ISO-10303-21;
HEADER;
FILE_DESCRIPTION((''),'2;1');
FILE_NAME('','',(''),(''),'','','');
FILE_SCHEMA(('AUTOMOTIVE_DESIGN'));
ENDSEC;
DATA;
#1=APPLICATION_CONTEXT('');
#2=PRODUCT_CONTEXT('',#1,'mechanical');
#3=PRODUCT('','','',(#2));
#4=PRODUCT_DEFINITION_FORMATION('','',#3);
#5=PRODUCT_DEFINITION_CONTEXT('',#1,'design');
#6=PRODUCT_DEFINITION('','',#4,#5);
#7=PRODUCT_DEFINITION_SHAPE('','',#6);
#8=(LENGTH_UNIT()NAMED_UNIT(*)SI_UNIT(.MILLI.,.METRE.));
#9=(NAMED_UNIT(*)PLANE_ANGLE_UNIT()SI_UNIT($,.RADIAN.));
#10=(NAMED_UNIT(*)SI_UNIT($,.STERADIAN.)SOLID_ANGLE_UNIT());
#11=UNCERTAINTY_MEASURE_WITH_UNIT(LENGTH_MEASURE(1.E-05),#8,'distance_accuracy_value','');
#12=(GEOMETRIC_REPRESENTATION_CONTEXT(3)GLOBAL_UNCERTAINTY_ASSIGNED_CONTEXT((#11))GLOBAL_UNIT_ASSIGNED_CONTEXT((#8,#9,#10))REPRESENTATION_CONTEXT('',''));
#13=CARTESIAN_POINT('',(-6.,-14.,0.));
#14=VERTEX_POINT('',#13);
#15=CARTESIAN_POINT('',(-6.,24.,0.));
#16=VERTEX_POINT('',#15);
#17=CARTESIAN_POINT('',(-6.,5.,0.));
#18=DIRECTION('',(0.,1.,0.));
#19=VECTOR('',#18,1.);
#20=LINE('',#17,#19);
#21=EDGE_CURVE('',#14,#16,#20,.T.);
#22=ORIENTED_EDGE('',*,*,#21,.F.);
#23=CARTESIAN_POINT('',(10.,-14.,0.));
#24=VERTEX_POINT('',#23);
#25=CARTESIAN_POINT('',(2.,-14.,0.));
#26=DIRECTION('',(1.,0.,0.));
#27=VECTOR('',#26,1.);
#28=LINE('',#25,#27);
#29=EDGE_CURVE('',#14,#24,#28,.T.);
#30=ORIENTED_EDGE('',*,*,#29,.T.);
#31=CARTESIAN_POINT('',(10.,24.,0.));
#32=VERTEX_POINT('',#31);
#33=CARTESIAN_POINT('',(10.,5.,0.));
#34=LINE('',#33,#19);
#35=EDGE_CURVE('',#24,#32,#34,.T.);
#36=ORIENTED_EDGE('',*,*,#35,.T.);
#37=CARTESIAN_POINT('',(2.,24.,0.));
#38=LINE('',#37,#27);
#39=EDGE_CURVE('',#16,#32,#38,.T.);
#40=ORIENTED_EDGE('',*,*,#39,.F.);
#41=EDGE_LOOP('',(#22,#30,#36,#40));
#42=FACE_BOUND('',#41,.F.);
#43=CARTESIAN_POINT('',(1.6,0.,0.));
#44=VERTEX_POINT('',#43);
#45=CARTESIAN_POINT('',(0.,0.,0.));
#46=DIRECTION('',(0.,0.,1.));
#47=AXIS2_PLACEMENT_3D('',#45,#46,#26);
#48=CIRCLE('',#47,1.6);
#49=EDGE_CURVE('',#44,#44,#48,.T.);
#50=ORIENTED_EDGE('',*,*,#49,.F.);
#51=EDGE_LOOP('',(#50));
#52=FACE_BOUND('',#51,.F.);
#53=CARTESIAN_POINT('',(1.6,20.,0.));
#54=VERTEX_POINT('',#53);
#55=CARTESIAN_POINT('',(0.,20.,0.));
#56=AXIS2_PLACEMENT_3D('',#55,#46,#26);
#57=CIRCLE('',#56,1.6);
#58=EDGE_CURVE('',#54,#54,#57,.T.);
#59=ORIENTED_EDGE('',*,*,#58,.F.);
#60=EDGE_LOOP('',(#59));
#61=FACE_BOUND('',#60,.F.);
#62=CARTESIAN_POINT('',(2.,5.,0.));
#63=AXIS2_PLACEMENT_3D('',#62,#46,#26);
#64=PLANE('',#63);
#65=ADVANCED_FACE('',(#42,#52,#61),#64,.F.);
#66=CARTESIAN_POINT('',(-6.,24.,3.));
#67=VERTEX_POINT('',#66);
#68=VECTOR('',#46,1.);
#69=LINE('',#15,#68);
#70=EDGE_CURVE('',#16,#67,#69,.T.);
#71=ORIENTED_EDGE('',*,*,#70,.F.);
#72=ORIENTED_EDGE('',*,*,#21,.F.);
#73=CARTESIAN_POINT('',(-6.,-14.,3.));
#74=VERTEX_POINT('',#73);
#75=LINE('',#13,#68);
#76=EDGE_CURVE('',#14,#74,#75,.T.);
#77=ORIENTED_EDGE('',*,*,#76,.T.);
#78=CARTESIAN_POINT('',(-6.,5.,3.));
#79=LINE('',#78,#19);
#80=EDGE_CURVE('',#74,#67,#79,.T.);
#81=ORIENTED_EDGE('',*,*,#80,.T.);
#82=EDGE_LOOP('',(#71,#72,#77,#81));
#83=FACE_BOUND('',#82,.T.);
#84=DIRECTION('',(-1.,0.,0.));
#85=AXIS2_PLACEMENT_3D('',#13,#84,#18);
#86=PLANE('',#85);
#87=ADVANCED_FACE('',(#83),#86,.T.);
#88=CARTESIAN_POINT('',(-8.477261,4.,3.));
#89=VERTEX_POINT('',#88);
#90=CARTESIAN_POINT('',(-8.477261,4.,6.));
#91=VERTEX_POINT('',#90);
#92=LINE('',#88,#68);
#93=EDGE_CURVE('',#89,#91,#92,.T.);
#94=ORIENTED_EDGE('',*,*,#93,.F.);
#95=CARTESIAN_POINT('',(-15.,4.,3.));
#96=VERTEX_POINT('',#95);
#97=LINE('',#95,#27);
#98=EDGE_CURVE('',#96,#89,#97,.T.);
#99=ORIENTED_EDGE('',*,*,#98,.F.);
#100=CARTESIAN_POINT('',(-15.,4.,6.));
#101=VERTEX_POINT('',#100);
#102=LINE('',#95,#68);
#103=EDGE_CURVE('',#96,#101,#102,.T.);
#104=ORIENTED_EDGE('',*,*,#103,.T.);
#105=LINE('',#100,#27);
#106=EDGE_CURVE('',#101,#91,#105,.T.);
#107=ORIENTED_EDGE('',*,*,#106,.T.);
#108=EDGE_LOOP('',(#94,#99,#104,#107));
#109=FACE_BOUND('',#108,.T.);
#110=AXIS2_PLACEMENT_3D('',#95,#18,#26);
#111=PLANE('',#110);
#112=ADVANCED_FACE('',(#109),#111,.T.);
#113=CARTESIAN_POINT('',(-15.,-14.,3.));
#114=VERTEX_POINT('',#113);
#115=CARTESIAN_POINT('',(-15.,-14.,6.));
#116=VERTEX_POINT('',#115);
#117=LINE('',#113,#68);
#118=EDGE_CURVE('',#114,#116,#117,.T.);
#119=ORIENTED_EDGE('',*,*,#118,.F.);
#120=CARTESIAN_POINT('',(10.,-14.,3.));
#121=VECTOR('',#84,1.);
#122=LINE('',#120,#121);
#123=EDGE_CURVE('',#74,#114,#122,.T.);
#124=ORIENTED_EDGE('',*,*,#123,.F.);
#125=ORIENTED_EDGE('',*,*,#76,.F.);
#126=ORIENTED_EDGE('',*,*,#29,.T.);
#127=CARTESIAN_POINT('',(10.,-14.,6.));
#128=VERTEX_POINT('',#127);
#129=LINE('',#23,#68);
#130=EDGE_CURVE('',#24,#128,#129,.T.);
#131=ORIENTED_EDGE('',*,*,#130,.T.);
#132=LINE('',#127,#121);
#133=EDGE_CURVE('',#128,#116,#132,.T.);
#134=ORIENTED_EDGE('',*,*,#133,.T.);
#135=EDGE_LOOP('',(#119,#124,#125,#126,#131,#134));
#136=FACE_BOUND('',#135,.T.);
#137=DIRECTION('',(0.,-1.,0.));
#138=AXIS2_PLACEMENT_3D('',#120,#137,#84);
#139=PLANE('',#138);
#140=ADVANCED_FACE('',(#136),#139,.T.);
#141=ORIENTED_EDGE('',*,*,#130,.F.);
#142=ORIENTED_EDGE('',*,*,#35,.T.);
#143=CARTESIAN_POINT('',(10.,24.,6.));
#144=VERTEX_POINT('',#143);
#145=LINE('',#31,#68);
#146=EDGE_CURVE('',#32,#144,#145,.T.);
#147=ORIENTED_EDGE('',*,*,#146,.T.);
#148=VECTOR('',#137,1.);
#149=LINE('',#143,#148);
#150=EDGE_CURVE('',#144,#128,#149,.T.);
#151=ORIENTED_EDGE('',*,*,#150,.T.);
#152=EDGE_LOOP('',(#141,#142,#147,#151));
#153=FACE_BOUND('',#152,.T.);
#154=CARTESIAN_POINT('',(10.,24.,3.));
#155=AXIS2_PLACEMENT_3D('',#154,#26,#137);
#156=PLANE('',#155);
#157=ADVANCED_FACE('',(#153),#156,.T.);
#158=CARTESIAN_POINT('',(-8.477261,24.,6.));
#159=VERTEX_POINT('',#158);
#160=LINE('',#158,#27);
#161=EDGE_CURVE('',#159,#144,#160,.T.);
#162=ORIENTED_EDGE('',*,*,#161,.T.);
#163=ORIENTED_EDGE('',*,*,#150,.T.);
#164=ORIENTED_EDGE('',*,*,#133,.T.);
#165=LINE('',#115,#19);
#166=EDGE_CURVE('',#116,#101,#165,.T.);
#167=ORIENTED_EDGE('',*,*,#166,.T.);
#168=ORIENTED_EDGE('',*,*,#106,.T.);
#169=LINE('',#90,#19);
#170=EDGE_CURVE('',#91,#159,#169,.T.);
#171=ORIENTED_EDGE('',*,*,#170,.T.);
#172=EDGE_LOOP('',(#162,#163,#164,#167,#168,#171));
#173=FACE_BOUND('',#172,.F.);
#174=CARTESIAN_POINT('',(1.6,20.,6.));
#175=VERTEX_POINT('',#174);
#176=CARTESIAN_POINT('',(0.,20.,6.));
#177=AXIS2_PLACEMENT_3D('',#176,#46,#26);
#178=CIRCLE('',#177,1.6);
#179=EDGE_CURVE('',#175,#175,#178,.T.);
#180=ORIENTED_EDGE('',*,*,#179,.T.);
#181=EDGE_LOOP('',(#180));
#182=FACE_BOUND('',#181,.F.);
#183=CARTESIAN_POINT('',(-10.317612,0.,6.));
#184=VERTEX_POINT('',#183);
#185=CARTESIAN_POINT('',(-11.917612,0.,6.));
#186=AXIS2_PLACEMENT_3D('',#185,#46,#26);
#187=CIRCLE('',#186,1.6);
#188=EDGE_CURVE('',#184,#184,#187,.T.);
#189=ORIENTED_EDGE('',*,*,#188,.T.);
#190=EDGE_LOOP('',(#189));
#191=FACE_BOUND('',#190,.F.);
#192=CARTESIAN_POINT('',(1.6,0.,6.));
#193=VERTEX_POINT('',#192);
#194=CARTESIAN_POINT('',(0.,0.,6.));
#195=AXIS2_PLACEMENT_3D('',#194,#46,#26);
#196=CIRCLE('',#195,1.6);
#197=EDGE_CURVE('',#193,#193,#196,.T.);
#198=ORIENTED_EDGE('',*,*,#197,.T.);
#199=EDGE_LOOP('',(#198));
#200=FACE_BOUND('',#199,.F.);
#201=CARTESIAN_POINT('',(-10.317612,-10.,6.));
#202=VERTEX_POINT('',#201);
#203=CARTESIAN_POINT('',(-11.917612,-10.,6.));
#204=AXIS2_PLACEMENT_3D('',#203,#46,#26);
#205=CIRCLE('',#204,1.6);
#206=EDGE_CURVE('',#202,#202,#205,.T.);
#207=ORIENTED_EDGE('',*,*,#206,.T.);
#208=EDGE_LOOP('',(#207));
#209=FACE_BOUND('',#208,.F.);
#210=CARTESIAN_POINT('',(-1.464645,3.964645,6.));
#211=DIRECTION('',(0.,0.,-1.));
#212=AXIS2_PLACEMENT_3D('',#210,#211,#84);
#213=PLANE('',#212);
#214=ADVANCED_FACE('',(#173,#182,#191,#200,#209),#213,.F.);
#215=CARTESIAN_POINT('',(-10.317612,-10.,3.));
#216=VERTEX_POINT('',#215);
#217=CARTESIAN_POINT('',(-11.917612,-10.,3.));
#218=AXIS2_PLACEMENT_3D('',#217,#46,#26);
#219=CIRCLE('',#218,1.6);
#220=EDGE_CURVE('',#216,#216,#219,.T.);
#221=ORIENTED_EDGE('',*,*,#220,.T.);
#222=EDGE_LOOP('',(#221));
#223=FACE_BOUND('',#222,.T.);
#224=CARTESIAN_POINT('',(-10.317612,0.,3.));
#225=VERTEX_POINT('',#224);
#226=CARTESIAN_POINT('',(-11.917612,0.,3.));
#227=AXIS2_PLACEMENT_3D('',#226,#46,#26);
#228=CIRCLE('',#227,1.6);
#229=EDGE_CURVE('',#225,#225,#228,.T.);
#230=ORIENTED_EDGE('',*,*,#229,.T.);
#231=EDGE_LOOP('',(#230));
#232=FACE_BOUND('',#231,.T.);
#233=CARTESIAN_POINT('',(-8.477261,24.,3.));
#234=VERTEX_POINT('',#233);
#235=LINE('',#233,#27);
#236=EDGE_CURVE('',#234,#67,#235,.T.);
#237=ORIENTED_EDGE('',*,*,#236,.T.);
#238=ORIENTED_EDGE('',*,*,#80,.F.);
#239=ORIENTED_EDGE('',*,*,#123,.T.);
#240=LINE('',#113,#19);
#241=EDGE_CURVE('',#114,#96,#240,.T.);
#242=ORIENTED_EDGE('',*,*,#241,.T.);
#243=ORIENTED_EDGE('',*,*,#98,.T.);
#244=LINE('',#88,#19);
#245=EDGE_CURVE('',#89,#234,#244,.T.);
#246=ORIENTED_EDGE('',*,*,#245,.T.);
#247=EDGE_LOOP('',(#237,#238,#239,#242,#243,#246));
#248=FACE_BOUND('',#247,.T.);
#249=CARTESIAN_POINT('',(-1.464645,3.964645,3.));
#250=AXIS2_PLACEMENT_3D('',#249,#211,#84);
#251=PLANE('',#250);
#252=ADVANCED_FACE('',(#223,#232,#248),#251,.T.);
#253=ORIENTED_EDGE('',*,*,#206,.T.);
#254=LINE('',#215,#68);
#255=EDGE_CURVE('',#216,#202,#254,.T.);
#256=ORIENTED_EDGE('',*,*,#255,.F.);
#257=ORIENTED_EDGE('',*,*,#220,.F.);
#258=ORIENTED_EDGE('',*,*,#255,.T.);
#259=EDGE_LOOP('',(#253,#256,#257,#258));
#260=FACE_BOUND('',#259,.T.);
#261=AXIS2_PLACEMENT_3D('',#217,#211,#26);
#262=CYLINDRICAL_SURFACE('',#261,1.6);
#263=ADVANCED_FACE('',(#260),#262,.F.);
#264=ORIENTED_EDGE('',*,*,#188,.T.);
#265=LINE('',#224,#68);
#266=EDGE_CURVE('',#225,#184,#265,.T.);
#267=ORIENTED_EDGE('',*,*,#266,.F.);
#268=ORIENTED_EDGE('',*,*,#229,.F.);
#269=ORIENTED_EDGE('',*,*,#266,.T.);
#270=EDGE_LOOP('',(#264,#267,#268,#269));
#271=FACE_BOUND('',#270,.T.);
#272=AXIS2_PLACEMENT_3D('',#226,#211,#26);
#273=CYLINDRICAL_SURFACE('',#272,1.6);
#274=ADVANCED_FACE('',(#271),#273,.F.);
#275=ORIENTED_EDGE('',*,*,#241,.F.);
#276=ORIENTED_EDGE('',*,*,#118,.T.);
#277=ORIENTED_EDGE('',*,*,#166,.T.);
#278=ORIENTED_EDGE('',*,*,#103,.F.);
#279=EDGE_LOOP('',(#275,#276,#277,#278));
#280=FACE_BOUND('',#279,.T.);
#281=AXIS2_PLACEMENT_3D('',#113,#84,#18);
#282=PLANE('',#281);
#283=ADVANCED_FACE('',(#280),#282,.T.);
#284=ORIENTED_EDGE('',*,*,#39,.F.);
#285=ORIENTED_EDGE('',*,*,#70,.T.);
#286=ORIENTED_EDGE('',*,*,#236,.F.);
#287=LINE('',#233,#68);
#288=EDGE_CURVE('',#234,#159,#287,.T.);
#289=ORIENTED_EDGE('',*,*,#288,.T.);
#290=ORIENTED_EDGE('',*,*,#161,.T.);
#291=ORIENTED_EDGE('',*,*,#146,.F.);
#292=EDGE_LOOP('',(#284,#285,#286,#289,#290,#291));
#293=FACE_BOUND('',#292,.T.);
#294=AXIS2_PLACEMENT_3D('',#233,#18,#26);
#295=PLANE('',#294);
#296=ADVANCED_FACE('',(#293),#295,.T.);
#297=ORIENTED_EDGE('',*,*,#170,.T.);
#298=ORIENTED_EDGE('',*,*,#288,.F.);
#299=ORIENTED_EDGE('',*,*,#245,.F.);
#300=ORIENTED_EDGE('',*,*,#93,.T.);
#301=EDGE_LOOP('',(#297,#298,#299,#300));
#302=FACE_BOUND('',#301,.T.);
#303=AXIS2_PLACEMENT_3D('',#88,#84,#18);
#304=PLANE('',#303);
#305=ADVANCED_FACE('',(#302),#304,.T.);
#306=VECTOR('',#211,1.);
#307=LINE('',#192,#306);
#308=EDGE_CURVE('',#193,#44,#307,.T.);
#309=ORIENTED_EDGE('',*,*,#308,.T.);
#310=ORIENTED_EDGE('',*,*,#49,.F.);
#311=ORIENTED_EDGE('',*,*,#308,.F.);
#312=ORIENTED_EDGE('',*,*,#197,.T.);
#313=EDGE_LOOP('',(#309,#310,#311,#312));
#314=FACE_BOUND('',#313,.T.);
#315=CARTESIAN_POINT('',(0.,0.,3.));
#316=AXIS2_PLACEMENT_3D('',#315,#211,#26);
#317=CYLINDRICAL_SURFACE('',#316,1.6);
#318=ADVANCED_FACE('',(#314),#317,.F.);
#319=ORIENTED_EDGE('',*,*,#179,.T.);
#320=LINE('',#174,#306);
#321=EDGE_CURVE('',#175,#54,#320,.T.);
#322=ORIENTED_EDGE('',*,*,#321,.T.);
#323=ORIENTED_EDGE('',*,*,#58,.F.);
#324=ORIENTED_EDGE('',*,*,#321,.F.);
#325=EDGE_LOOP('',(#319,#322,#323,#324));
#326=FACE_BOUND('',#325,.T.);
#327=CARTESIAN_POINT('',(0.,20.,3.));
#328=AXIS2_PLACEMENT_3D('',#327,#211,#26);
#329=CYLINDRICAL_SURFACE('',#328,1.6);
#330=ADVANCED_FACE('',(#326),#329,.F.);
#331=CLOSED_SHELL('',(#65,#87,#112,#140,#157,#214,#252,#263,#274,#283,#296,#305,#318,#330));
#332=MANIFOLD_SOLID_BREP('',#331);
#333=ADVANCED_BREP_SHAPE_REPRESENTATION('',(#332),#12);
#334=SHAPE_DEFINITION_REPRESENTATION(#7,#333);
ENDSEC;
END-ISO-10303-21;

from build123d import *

# Parameters (mm, degrees)
SKETCH_W     = 16
SKETCH_H     = 38
SKETCH_R     = 1.6
PAD_DEPTH    = 3
SKETCH002_R  = 1.6
PAD001_DEPTH = 3


with BuildPart() as part:
    # Sketch → Pad (new body)
    with BuildSketch(Plane.XY):
        with Locations((2, 5)):
            Rectangle(SKETCH_W, SKETCH_H)
        Circle(SKETCH_R, mode=Mode.SUBTRACT)
        with Locations((0, 20)):
            Circle(SKETCH_R, mode=Mode.SUBTRACT)
    extrude(amount=PAD_DEPTH)

    # Sketch002 → Pad001 (join)
    with BuildSketch(Plane.XY.offset(3)):
        Polygon((-15, -14), (-15, 4), (-8.477261, 4), (-8.477261, 24), (10, 24), (10, -14), align=None)
        with Locations((0, 20)):
            Circle(SKETCH002_R, mode=Mode.SUBTRACT)
        Circle(SKETCH002_R, mode=Mode.SUBTRACT)
        with Locations((-11.917612, 0)):
            Circle(SKETCH002_R, mode=Mode.SUBTRACT)
        with Locations((-11.917612, -10)):
            Circle(SKETCH002_R, mode=Mode.SUBTRACT)
    extrude(amount=PAD001_DEPTH)


solid = part.part
